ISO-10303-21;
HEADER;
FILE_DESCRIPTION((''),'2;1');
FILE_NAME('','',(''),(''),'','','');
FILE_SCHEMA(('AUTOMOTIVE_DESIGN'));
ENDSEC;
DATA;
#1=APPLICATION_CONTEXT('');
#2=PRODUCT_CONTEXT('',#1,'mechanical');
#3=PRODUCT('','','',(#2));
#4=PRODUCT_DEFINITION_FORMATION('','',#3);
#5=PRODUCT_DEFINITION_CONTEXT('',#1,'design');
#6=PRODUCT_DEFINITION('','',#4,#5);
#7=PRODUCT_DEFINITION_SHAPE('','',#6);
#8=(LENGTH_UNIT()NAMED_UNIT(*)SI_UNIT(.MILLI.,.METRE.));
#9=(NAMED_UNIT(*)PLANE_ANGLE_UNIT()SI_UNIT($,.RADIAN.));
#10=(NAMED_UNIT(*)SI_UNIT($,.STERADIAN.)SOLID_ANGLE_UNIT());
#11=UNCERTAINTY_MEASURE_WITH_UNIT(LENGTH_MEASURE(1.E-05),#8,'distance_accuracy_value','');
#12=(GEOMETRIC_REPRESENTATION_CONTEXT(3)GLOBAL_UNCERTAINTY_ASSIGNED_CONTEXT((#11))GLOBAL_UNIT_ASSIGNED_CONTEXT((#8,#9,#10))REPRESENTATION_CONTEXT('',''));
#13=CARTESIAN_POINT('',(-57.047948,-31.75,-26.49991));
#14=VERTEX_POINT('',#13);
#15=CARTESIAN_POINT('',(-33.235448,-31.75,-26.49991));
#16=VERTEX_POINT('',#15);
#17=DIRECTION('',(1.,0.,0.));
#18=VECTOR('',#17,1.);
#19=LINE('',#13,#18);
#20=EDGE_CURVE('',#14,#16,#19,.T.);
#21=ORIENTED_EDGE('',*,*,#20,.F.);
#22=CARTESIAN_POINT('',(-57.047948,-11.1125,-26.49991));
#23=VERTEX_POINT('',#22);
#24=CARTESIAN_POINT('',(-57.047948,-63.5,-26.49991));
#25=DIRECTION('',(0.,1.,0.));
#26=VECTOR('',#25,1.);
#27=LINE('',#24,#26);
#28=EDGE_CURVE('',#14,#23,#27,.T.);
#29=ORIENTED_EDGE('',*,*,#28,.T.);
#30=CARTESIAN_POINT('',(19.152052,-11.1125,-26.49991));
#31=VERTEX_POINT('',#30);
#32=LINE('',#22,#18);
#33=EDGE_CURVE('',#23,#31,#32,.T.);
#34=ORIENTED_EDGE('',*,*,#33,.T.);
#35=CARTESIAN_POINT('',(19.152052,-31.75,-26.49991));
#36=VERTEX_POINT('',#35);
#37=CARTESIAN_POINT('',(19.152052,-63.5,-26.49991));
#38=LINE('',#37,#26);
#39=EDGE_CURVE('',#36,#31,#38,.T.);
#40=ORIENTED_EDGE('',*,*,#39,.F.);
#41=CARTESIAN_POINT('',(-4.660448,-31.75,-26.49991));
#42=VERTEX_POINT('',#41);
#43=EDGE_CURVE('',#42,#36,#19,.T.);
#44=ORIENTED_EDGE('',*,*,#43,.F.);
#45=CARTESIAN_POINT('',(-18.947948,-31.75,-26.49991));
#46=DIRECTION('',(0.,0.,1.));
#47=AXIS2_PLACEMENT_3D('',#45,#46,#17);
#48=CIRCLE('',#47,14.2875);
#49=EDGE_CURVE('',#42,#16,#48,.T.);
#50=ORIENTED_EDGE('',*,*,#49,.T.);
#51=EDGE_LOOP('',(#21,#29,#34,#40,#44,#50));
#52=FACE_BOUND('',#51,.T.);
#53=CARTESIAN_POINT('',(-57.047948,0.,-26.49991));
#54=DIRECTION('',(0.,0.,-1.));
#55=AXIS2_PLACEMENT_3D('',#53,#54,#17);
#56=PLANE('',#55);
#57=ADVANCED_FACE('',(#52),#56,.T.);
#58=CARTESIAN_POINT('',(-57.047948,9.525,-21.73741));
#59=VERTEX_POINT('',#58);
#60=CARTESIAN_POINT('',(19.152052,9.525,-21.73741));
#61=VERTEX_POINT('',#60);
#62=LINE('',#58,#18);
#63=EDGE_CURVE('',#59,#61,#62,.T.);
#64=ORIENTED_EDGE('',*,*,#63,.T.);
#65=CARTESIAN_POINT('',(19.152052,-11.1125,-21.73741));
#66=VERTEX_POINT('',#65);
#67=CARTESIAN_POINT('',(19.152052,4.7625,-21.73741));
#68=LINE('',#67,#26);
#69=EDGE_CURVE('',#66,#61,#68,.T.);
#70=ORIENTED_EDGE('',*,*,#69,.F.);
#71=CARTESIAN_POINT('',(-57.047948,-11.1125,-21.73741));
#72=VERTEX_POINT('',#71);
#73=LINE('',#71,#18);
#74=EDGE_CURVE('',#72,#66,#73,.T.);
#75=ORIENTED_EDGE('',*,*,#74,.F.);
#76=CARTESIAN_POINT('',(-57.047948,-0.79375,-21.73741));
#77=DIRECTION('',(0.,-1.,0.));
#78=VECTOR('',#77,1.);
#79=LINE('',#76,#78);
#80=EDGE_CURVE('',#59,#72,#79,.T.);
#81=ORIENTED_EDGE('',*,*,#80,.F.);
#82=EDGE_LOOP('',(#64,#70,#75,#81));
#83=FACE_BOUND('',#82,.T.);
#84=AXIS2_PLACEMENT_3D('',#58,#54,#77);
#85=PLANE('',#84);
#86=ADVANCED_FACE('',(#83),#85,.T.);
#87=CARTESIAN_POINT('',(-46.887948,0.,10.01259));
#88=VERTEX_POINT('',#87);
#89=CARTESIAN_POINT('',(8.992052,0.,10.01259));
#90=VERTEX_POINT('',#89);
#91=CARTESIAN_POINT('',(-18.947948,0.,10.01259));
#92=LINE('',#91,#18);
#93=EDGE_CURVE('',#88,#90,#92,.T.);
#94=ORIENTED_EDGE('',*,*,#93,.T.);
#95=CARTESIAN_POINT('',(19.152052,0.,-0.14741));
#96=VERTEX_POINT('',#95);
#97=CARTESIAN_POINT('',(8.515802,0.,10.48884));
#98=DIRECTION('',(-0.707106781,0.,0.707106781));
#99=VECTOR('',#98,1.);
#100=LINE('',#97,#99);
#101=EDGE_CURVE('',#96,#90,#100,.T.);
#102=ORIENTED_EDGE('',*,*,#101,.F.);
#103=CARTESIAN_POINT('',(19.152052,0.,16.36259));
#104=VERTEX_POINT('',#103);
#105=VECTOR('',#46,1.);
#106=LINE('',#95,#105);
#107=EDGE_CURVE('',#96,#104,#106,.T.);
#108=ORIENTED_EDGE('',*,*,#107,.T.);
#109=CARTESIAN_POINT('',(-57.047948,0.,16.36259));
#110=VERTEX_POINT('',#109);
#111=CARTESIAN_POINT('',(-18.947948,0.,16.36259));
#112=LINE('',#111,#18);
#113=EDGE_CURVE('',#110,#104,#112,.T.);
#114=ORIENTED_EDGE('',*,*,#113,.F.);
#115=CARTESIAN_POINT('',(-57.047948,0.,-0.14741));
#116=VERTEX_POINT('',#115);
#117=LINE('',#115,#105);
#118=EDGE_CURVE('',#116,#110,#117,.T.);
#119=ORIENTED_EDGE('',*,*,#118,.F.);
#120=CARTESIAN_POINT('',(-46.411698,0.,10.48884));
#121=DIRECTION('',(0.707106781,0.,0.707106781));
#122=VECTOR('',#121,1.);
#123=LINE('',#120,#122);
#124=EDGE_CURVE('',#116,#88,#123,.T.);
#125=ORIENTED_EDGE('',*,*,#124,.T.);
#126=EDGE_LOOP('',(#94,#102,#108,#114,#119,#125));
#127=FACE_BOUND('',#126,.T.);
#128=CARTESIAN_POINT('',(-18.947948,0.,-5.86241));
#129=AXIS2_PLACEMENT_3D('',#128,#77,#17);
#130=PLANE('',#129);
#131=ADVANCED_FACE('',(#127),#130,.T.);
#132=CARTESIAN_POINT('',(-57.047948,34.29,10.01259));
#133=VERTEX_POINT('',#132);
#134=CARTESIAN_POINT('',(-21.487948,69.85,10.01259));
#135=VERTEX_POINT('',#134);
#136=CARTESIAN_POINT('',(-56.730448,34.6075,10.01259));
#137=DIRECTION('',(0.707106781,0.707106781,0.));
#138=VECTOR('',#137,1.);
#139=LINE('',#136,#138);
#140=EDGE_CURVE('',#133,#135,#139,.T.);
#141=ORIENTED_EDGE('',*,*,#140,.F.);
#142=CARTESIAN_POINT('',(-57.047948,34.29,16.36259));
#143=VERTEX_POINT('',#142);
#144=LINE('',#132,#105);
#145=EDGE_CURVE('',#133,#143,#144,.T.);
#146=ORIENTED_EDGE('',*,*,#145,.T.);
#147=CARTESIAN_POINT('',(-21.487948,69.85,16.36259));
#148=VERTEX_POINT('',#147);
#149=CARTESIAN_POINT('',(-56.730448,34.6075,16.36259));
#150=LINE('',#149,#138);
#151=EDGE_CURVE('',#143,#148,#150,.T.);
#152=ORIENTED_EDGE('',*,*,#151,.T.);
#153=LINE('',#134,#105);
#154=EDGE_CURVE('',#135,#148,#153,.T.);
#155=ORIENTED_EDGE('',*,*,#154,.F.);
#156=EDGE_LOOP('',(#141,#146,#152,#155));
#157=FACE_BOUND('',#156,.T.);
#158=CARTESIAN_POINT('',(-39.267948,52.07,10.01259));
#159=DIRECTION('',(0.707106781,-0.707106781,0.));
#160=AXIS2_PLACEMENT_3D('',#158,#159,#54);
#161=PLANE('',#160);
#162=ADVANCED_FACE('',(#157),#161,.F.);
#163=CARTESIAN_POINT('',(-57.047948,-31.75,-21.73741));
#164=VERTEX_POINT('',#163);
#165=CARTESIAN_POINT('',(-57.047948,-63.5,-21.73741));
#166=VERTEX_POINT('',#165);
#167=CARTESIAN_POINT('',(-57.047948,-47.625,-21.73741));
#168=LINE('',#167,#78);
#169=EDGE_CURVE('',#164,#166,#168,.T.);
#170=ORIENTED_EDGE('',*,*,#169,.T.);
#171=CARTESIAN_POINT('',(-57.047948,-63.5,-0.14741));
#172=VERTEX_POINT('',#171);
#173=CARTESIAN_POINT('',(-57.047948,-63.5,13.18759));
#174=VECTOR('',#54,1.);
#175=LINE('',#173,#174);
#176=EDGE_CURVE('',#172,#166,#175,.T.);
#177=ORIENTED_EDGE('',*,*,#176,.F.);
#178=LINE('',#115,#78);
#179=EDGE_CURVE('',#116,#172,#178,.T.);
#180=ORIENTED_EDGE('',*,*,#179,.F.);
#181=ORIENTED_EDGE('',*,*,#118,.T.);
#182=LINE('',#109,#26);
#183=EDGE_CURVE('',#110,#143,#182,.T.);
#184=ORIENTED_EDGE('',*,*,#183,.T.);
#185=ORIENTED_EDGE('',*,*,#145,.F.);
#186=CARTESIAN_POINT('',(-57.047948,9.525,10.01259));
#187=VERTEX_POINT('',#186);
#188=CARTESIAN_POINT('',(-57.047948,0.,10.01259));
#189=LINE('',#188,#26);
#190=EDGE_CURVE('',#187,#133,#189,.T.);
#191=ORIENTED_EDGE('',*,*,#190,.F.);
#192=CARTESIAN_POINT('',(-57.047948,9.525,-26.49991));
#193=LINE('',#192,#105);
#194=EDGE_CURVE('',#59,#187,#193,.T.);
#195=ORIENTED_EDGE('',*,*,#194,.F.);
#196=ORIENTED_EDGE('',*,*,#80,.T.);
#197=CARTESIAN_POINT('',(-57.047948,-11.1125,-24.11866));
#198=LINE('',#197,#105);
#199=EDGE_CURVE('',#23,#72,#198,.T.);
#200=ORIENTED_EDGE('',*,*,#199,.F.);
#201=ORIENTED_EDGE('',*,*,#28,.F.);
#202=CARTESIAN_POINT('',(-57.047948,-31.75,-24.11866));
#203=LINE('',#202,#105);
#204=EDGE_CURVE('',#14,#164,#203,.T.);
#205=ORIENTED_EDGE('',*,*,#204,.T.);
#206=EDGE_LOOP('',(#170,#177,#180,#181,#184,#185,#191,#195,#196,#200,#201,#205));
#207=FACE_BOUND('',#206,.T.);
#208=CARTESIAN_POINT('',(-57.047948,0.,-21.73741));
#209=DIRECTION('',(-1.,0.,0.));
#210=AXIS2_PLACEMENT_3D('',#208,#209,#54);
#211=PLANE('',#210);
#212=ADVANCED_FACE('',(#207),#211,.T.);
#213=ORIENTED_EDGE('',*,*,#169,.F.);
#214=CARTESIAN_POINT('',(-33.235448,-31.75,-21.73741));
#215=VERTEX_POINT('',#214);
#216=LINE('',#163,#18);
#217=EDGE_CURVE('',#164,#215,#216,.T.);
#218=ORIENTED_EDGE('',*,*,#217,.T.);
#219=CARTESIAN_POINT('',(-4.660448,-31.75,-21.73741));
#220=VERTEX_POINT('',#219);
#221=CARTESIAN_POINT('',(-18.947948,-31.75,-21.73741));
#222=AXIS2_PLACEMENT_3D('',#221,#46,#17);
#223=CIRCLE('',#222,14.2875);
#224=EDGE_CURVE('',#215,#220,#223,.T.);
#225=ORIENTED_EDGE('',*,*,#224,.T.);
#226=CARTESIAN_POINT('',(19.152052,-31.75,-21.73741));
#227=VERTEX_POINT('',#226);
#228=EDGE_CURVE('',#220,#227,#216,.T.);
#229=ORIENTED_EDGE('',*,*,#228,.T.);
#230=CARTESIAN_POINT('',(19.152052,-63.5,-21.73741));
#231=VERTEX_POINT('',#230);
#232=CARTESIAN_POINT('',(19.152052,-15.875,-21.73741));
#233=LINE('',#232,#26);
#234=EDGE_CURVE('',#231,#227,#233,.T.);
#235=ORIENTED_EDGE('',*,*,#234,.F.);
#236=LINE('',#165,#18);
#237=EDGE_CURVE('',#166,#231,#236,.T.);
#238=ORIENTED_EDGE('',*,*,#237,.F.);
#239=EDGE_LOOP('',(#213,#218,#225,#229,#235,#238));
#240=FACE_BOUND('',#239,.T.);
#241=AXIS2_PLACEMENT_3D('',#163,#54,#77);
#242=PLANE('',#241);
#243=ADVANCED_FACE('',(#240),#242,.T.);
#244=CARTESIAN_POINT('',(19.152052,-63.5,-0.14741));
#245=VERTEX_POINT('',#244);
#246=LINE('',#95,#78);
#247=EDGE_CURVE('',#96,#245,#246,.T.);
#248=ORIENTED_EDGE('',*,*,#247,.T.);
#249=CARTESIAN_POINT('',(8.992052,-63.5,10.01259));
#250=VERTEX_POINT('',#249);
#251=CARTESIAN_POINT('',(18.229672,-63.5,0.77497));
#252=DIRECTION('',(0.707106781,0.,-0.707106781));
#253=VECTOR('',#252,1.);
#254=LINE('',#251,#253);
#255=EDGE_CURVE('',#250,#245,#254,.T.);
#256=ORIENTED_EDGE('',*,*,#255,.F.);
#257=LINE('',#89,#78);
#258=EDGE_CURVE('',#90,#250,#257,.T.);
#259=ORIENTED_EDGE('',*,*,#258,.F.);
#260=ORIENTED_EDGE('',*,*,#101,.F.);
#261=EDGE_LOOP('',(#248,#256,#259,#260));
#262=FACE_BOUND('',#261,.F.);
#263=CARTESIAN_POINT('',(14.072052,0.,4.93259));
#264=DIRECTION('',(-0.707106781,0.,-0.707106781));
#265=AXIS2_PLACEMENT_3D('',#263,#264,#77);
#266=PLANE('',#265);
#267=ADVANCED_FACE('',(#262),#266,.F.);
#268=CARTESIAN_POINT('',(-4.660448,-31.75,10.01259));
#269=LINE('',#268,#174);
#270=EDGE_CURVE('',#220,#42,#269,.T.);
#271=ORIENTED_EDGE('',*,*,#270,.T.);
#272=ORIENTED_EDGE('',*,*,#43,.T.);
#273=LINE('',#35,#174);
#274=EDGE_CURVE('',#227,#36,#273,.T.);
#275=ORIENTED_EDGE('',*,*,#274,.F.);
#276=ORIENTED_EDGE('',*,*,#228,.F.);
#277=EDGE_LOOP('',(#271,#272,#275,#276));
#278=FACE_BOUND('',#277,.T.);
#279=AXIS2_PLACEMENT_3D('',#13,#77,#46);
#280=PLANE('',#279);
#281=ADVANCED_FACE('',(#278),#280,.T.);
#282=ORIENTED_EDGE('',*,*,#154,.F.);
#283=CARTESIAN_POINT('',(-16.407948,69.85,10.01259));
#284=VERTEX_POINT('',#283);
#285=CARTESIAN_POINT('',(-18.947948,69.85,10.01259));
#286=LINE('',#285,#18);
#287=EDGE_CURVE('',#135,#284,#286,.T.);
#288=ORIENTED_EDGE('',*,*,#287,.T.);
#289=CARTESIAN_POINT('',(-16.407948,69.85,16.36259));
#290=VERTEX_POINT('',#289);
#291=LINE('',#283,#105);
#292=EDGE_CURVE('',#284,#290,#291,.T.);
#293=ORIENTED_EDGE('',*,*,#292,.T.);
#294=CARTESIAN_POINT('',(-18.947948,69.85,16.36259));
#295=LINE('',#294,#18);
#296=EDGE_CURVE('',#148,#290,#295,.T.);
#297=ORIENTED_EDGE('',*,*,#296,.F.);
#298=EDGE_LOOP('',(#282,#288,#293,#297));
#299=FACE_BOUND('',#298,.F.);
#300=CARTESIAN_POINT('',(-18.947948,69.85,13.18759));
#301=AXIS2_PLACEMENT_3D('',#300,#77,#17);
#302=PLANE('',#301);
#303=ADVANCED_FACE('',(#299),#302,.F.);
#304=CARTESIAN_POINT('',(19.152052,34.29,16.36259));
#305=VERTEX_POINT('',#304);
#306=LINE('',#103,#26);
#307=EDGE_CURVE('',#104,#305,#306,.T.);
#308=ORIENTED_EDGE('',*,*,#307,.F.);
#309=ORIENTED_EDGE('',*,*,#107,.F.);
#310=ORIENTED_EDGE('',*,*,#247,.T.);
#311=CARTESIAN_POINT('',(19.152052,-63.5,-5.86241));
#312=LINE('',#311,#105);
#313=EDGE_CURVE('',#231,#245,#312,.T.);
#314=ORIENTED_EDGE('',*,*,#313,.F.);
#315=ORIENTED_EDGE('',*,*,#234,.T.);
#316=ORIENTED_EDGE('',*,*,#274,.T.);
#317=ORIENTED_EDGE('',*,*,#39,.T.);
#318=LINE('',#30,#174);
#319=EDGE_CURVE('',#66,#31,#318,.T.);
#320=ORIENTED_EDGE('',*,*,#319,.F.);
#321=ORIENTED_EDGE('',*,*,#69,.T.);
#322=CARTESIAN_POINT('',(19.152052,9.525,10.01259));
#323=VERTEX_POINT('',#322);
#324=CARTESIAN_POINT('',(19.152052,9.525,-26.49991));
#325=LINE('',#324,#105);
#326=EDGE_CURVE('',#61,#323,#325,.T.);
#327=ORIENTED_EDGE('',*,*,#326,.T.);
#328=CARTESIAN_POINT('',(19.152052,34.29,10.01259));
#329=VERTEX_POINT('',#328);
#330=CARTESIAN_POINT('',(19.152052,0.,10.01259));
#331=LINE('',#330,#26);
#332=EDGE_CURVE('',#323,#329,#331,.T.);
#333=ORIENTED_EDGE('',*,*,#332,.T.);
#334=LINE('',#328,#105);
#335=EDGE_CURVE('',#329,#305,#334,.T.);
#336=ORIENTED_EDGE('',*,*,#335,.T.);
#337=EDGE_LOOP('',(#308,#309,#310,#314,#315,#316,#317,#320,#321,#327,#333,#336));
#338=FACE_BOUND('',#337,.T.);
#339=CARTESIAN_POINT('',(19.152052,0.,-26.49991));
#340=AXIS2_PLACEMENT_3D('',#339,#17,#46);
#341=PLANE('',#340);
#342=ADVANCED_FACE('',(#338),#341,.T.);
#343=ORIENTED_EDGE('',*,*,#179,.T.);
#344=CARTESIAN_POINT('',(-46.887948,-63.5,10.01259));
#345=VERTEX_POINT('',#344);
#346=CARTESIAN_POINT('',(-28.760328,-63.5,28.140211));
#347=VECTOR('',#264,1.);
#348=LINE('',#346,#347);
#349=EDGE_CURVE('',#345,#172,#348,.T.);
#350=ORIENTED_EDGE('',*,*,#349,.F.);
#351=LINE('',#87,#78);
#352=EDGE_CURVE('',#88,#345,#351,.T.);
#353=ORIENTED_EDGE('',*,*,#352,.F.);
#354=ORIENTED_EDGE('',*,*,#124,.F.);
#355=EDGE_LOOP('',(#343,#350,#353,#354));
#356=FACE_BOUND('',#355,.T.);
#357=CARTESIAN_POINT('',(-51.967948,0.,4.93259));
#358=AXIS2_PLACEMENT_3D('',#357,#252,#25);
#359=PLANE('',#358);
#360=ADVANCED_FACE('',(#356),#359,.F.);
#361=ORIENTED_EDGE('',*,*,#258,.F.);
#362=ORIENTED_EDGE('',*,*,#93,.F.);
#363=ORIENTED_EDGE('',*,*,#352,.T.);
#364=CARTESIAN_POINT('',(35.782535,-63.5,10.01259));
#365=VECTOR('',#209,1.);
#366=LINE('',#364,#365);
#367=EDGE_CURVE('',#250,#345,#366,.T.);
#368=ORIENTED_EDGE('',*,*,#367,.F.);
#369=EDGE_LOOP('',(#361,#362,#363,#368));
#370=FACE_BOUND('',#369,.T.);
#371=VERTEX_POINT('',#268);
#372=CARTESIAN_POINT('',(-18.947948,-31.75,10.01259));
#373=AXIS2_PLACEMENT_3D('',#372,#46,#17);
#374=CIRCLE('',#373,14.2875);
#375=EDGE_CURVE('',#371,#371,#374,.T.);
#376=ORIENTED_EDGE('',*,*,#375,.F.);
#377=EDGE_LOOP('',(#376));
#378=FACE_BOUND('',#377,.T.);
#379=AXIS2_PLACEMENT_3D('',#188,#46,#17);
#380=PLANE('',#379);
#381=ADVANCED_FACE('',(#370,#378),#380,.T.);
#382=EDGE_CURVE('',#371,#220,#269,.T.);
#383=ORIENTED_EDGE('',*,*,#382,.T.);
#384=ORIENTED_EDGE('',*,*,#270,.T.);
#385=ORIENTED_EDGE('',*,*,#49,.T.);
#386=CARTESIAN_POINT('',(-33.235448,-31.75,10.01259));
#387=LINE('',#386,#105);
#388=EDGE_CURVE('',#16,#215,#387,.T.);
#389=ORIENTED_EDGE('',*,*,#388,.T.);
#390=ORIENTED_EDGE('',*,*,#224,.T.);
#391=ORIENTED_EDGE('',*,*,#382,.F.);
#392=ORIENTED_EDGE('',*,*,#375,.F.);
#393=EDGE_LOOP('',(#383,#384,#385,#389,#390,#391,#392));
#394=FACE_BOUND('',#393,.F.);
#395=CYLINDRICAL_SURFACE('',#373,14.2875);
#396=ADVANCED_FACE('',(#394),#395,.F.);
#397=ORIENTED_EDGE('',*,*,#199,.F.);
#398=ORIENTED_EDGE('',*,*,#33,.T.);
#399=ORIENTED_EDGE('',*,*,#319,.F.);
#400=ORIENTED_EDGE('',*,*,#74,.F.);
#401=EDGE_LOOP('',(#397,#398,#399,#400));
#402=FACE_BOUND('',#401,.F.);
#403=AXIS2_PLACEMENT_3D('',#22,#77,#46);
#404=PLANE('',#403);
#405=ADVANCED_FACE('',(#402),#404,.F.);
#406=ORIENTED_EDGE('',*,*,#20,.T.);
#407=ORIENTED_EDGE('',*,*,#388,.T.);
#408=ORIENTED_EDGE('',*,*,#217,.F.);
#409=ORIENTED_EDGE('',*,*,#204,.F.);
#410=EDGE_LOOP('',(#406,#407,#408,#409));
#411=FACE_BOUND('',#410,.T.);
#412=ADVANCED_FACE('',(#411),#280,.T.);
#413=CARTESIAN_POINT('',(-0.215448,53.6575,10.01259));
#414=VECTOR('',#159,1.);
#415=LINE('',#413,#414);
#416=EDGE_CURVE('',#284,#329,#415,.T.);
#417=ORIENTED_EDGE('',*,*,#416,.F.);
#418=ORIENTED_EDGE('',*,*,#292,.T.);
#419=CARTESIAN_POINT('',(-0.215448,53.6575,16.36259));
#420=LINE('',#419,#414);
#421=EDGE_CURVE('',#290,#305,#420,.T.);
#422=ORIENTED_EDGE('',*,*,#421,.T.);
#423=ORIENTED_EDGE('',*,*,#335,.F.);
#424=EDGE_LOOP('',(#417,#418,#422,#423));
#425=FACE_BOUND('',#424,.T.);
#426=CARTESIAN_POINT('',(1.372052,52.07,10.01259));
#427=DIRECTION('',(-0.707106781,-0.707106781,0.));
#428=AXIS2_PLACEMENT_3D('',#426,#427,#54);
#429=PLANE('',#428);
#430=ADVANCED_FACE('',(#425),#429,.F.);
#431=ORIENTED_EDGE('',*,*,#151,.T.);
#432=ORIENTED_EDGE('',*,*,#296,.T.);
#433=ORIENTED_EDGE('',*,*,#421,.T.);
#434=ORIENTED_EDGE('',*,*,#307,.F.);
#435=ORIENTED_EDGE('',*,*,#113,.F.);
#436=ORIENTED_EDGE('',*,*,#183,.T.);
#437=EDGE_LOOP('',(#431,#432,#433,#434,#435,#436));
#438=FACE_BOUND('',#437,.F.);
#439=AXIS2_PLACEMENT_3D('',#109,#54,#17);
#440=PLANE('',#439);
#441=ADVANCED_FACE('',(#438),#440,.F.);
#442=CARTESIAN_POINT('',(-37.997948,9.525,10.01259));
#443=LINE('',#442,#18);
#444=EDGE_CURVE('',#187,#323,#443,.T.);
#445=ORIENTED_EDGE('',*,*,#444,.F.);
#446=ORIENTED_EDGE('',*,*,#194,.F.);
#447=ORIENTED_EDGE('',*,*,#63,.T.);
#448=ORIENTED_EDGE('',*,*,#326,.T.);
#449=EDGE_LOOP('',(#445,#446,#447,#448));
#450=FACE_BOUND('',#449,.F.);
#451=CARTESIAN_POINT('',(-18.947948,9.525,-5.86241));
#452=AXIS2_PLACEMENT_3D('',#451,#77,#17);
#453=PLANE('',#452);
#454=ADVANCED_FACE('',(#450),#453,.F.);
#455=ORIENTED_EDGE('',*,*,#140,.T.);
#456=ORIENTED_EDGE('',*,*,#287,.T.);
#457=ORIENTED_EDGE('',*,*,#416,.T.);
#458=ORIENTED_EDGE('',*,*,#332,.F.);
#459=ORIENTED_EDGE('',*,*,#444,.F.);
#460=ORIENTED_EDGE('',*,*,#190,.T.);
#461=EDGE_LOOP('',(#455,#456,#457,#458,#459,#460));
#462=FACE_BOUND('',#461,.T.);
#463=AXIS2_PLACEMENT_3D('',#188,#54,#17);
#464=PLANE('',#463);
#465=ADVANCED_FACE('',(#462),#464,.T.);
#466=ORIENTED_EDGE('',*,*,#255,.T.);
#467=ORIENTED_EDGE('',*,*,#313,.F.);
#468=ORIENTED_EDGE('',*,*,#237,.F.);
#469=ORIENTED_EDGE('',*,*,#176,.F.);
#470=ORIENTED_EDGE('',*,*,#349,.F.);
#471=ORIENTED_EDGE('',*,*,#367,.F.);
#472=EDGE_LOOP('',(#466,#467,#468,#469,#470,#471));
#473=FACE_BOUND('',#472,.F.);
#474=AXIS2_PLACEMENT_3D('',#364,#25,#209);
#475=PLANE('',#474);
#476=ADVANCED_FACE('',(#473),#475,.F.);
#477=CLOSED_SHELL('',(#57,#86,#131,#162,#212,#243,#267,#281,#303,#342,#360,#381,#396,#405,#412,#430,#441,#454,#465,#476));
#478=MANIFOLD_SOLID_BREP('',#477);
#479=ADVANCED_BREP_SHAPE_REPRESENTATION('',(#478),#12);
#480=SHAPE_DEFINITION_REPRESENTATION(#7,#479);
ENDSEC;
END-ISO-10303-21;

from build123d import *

# Parameters (mm, degrees)
F0_W      = 76.2
F0_H      = 31.75
F0_H_2    = 4.7625
F1_DEPTH  = 133.35
F2_SIZE   = 10.16
F0_H_3    = 6.35
F3_DEPTH  = 9.525
F4_DEPTH  = 69.85
F6_DEPTH  = 51.308
F7_SIZE2  = 35.56
F7_SIZE   = 35.56
F8_R      = 14.2875
F9_DEPTH  = 39.116
F10_DEPTH = 9.525
F11_W     = 20.6375
F11_H     = 4.7625
F11_W_2   = 31.75
F12_DEPTH = 84.836


with BuildPart() as f1:
    # F0 (on Front) → F1 (new body)
    with BuildSketch(Plane.XZ):
        with Locations((-18.9479482412, -5.8624097556)):
            Rectangle(F0_W, F0_H)
        with Locations((-18.9479482412, -24.1186597556)):
            Rectangle(F0_W, F0_H_2)
    extrude(amount=F1_DEPTH)

    # F2
    f2_edges = [f1.edges().sort_by_distance(p)[0] for p in [
        (19.152052, -66.675, 10.01259),
        (-57.047948, -66.675, 10.01259),
    ]]
    chamfer(f2_edges, length=F2_SIZE)

    # F0 (on Front) → F3 (join)
    with BuildSketch(Plane.XZ):
        with Locations((-18.9479482412, -5.8624097556)):
            Rectangle(F0_W, F0_H)
        with Locations((-18.9479482412, 13.1875902444)):
            Rectangle(F0_W, F0_H_3)
    extrude(amount=-F3_DEPTH)

    # F0 (on Front) → F4 (join)
    with BuildSketch(Plane.XZ):
        with Locations((-18.9479482412, 13.1875902444)):
            Rectangle(F0_W, F0_H_3)
    extrude(amount=-F4_DEPTH)

    # F5 (on face) → F6 (cut)
    with BuildSketch(Plane.XY.offset(10.0125902444)):
        Polygon((8.9920517588, -63.5), (-46.8879482412, -63.5), (-73.6699253321, -63.5), (-73.6699253321, -133.35), (35.7825346291, -133.35), (35.7825346291, -63.5), align=None)
    extrude(amount=-F6_DEPTH, mode=Mode.SUBTRACT)

    # F7
    f7_edges = [f1.edges().sort_by_distance(p)[0] for p in [
        (-57.047948, 69.85, 13.18759),
        (19.152052, 69.85, 13.18759),
    ]]
    chamfer(f7_edges, length=F7_SIZE, length2=F7_SIZE2)

    # F8 (on face) → F9 (cut)
    with BuildSketch(Plane.XY.offset(10.0125902444)):
        with Locations((-18.9479482412, -31.75)):
            Circle(F8_R)
    extrude(amount=-F9_DEPTH, mode=Mode.SUBTRACT)

    # F10 (add): a face of the model
    f10_faces = [f1.faces().sort_by_distance(p)[0] for p in [
        (-18.9479482412, 0, -24.1186597556),
    ]]
    extrude(f10_faces, amount=F10_DEPTH)

    # F11 (on face) → F12 (cut)
    with BuildSketch(Plane(origin=(-57.0479482412, 0, 0), x_dir=(0, -1, 0), z_dir=(-1, 0, 0))):
        with Locations((0.79375, -24.1186597556)):
            Rectangle(F11_W, F11_H)
        with Locations((47.625, -24.1186597556)):
            Rectangle(F11_W_2, F11_H)
    extrude(amount=-F12_DEPTH, mode=Mode.SUBTRACT)


solid = f1.part
